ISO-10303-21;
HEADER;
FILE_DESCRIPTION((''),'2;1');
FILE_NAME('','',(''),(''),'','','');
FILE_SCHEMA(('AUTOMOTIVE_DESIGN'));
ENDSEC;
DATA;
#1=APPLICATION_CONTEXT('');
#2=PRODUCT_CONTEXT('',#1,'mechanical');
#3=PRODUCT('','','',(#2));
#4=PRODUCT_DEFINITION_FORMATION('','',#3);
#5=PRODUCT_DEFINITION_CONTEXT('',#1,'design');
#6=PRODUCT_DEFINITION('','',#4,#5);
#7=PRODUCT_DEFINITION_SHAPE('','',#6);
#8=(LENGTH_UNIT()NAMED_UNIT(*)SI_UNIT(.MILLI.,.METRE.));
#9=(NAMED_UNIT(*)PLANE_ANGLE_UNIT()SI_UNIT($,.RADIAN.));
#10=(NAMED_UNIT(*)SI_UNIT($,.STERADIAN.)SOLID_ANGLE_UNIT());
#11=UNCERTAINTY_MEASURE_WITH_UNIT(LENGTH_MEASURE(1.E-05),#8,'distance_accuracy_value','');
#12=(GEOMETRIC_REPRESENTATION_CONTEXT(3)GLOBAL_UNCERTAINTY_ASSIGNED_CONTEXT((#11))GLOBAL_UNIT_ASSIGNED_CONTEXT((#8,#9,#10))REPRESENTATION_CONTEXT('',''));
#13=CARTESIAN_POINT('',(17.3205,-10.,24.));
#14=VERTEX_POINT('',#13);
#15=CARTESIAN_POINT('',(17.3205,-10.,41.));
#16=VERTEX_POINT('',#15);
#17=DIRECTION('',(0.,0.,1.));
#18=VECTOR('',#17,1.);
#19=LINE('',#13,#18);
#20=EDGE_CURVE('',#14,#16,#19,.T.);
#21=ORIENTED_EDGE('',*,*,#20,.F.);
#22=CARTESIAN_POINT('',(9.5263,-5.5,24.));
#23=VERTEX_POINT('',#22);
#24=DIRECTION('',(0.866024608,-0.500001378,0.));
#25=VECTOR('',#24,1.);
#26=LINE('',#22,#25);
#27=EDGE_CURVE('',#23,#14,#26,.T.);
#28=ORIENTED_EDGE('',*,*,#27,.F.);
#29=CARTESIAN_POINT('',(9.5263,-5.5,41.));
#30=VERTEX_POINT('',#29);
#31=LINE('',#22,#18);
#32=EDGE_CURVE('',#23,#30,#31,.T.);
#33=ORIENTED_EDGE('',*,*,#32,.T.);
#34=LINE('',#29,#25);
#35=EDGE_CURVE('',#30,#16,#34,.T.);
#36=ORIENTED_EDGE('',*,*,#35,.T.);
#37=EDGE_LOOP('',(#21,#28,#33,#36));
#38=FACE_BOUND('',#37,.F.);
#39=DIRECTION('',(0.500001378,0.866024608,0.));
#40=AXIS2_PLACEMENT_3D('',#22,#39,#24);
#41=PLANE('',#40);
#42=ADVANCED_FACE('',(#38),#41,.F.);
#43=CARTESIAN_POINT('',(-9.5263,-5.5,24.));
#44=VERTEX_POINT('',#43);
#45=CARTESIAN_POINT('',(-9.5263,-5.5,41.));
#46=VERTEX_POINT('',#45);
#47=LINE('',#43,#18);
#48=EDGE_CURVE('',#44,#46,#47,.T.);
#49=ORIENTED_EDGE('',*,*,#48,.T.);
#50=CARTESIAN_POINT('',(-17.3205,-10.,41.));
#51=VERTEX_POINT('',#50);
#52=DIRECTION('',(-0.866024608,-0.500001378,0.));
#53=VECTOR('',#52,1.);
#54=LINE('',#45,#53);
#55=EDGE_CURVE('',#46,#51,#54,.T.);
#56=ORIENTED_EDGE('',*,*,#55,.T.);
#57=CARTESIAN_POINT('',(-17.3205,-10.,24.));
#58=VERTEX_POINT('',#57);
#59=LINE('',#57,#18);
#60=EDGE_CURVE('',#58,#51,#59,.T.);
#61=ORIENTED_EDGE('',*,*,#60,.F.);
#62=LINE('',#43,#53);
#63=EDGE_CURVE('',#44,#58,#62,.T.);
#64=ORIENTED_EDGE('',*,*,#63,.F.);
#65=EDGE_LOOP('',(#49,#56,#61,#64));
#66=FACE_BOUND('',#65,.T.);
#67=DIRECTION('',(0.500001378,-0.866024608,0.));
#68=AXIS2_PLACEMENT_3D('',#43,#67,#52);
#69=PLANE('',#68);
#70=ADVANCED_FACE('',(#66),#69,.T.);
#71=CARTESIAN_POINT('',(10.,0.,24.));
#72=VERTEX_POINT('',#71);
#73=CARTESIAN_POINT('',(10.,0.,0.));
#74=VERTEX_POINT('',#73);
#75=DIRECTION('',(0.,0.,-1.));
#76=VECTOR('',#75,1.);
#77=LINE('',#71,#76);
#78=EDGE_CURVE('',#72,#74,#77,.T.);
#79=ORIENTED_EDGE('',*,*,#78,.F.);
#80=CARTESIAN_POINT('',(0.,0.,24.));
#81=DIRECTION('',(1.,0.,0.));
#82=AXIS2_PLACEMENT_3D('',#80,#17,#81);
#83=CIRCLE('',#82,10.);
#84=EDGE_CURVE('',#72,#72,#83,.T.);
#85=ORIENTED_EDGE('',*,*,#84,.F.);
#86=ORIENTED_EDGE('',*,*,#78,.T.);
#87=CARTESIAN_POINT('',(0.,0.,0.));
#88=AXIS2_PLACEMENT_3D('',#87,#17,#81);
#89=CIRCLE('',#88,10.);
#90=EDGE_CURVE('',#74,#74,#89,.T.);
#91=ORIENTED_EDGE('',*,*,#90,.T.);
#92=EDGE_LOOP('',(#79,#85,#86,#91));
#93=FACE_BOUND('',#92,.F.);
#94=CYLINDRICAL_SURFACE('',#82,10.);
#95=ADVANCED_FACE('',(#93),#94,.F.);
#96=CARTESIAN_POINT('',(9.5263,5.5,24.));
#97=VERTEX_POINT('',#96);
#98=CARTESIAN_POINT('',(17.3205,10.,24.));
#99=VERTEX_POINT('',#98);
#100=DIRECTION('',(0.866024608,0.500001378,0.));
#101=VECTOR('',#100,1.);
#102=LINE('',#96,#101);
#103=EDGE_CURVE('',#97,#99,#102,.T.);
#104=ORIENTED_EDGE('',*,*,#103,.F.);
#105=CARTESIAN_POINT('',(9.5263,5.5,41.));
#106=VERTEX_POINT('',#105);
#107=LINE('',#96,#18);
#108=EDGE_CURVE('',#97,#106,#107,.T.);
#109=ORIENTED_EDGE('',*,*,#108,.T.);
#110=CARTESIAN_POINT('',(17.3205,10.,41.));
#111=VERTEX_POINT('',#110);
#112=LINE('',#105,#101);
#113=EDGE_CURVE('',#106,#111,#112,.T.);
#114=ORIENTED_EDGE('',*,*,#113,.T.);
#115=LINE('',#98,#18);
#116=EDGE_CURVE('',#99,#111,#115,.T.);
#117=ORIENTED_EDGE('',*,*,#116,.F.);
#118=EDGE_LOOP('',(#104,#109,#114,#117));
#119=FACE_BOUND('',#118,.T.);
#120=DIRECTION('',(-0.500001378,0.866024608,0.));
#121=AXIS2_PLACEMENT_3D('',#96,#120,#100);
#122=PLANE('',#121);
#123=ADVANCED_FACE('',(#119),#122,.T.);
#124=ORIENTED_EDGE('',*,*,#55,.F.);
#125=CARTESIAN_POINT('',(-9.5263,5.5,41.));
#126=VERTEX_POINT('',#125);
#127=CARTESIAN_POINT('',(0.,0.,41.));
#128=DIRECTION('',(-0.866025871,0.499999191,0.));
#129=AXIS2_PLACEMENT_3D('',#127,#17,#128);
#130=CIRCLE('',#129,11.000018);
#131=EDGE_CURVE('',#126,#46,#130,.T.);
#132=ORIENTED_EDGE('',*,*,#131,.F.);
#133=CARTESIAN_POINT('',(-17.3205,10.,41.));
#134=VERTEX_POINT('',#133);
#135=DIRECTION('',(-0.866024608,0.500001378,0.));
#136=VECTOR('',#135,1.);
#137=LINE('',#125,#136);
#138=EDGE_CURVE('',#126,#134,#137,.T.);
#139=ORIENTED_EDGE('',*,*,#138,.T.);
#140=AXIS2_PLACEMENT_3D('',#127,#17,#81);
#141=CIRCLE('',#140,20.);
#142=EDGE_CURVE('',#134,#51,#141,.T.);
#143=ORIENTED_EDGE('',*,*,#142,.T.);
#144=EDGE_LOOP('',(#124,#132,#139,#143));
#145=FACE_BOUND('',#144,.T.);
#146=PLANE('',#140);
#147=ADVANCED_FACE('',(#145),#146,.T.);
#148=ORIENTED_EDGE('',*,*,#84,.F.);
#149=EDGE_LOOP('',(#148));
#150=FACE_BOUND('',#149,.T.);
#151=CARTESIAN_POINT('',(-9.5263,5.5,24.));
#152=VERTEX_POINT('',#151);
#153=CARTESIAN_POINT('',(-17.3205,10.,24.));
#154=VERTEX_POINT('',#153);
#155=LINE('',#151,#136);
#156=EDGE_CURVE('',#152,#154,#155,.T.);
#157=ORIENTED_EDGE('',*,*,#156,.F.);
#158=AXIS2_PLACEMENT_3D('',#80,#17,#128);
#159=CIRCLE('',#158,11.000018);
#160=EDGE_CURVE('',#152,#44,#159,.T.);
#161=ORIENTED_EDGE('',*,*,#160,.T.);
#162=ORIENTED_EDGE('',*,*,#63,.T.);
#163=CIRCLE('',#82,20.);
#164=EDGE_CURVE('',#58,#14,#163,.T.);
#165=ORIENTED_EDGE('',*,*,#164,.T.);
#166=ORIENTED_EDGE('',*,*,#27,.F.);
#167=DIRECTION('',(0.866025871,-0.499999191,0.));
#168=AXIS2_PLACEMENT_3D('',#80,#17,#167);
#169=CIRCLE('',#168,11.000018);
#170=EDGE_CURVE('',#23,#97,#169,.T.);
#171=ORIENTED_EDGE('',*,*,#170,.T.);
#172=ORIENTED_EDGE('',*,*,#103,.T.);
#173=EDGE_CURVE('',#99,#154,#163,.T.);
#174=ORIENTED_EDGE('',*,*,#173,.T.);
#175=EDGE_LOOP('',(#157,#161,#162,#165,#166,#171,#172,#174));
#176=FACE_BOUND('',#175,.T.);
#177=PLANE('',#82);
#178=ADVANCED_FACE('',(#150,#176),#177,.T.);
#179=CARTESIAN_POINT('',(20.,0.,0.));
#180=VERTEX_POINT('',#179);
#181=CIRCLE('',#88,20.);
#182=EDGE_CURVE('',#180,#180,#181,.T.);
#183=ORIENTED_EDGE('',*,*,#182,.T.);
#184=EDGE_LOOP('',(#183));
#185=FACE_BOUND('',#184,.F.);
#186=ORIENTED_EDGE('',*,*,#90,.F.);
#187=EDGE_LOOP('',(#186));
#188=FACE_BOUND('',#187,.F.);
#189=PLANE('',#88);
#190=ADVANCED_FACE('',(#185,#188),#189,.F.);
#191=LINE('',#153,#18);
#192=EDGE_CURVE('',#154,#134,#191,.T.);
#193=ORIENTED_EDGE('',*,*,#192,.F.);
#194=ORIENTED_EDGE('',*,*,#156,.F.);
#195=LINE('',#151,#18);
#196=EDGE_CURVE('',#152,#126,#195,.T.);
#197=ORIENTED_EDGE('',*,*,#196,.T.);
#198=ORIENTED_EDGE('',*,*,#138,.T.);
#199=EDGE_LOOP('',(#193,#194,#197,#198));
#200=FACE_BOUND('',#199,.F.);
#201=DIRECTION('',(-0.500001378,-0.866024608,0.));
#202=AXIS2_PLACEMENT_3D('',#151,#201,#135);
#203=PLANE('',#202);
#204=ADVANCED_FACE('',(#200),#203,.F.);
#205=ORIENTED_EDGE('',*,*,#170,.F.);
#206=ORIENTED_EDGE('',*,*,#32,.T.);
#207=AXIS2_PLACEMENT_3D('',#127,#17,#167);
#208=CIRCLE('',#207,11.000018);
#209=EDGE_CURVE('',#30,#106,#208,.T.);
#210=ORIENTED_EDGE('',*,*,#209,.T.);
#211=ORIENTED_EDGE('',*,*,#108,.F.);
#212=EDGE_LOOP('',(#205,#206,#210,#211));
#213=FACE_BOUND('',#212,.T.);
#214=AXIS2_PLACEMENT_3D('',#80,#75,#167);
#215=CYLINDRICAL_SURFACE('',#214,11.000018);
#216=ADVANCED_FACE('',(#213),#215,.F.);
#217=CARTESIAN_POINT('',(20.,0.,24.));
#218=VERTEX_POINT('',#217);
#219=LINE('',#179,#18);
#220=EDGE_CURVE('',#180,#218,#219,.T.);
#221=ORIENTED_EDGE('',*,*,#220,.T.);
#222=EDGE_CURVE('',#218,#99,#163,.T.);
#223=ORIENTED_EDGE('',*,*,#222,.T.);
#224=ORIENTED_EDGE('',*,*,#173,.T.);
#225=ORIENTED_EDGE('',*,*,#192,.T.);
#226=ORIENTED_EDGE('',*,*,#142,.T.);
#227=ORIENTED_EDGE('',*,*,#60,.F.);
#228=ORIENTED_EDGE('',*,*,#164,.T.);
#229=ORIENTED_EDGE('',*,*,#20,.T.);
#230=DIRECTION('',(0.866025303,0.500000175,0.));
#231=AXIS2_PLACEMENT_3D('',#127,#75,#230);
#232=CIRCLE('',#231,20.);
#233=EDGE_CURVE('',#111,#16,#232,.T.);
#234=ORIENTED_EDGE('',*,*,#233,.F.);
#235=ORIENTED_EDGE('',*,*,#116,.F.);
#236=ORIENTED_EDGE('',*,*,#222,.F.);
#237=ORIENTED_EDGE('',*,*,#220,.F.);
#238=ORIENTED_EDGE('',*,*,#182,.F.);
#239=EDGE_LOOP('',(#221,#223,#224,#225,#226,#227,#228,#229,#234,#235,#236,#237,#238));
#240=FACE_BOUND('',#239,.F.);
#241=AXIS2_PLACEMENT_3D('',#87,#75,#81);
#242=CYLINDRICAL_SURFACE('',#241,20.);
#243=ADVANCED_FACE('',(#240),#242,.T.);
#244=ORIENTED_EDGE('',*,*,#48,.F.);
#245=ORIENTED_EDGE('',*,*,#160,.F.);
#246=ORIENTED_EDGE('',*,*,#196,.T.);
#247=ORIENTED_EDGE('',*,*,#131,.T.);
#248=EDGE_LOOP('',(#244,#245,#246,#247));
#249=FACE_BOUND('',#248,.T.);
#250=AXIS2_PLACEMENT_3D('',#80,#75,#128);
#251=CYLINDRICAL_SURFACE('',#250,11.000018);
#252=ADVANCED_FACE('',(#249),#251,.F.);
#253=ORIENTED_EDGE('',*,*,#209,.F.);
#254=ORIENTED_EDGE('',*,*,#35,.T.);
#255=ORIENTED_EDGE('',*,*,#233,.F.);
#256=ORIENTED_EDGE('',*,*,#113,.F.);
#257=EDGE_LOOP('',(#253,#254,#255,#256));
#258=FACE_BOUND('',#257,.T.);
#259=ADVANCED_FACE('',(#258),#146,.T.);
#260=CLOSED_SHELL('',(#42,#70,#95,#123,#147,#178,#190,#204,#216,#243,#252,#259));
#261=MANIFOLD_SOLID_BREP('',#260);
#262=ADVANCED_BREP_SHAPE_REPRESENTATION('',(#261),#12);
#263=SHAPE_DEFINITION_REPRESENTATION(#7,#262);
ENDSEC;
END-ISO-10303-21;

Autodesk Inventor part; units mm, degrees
ref_plane "YZ Plane" through (0, 0, 0) normal (1, 0, 0) x (0, 1, 0)
ref_plane "XZ Plane" through (0, 0, 0) normal (0, 1, 0) x (-1, 0, 0)
ref_plane "XY Plane" through (0, 0, 0) normal (0, 0, 1) x (1, 0, 0)
sketch "Sketch1" plane through (0, 0, 0) normal (0, 0, 1) x (1, 0, 0)
  circle A0 centre (0, 0) radius 20
  dimension "d0" = 40
extrude "Extrusion1" add sketch "Sketch1" along normal blind 24
sketch "Sketch2" plane through (0, 0, 24) normal (0, 0, 1) x (1, 0, 0)
  arc A0 (-9.5263, 5.5) -> (-9.5263, -5.5) centre (0, 0) ccw
  line L0 (-9.5263, 5.5) -> (-17.3205, 10)
  circle A1 centre (0, 0) radius 20 projected
  line L1 (0, 0) -> (20, 0) construction
  line L2 (-9.5263, -5.5) -> (-17.3205, -10)
  line L3 (0, 0) -> (20, 0) construction
  line L4 (0, 0) -> (0, 20) construction
  arc A2 (9.5263, -5.5) -> (9.5263, 5.5) centre (0, 0) ccw
  line L5 (9.5263, 5.5) -> (17.3205, 10)
  line L6 (9.5263, -5.5) -> (17.3205, -10)
  dimension "d3" = 22
  dimension "d4" = 150
  dimension "d5" = 150
extrude "Extrusion2" add sketch "Sketch2" along normal blind 17 contours A0 L2 A1 L0 | A1 L6 A2 L5
sketch "Sketch3" plane through (0, 0, 24) normal (0, 0, 1) x (1, 0, 0)
  circle A0 centre (0, 0) radius 10
  dimension "d8" = 20
extrude "Extrusion3" cut sketch "Sketch3" against normal through all
properties part number "22MM JAW"
